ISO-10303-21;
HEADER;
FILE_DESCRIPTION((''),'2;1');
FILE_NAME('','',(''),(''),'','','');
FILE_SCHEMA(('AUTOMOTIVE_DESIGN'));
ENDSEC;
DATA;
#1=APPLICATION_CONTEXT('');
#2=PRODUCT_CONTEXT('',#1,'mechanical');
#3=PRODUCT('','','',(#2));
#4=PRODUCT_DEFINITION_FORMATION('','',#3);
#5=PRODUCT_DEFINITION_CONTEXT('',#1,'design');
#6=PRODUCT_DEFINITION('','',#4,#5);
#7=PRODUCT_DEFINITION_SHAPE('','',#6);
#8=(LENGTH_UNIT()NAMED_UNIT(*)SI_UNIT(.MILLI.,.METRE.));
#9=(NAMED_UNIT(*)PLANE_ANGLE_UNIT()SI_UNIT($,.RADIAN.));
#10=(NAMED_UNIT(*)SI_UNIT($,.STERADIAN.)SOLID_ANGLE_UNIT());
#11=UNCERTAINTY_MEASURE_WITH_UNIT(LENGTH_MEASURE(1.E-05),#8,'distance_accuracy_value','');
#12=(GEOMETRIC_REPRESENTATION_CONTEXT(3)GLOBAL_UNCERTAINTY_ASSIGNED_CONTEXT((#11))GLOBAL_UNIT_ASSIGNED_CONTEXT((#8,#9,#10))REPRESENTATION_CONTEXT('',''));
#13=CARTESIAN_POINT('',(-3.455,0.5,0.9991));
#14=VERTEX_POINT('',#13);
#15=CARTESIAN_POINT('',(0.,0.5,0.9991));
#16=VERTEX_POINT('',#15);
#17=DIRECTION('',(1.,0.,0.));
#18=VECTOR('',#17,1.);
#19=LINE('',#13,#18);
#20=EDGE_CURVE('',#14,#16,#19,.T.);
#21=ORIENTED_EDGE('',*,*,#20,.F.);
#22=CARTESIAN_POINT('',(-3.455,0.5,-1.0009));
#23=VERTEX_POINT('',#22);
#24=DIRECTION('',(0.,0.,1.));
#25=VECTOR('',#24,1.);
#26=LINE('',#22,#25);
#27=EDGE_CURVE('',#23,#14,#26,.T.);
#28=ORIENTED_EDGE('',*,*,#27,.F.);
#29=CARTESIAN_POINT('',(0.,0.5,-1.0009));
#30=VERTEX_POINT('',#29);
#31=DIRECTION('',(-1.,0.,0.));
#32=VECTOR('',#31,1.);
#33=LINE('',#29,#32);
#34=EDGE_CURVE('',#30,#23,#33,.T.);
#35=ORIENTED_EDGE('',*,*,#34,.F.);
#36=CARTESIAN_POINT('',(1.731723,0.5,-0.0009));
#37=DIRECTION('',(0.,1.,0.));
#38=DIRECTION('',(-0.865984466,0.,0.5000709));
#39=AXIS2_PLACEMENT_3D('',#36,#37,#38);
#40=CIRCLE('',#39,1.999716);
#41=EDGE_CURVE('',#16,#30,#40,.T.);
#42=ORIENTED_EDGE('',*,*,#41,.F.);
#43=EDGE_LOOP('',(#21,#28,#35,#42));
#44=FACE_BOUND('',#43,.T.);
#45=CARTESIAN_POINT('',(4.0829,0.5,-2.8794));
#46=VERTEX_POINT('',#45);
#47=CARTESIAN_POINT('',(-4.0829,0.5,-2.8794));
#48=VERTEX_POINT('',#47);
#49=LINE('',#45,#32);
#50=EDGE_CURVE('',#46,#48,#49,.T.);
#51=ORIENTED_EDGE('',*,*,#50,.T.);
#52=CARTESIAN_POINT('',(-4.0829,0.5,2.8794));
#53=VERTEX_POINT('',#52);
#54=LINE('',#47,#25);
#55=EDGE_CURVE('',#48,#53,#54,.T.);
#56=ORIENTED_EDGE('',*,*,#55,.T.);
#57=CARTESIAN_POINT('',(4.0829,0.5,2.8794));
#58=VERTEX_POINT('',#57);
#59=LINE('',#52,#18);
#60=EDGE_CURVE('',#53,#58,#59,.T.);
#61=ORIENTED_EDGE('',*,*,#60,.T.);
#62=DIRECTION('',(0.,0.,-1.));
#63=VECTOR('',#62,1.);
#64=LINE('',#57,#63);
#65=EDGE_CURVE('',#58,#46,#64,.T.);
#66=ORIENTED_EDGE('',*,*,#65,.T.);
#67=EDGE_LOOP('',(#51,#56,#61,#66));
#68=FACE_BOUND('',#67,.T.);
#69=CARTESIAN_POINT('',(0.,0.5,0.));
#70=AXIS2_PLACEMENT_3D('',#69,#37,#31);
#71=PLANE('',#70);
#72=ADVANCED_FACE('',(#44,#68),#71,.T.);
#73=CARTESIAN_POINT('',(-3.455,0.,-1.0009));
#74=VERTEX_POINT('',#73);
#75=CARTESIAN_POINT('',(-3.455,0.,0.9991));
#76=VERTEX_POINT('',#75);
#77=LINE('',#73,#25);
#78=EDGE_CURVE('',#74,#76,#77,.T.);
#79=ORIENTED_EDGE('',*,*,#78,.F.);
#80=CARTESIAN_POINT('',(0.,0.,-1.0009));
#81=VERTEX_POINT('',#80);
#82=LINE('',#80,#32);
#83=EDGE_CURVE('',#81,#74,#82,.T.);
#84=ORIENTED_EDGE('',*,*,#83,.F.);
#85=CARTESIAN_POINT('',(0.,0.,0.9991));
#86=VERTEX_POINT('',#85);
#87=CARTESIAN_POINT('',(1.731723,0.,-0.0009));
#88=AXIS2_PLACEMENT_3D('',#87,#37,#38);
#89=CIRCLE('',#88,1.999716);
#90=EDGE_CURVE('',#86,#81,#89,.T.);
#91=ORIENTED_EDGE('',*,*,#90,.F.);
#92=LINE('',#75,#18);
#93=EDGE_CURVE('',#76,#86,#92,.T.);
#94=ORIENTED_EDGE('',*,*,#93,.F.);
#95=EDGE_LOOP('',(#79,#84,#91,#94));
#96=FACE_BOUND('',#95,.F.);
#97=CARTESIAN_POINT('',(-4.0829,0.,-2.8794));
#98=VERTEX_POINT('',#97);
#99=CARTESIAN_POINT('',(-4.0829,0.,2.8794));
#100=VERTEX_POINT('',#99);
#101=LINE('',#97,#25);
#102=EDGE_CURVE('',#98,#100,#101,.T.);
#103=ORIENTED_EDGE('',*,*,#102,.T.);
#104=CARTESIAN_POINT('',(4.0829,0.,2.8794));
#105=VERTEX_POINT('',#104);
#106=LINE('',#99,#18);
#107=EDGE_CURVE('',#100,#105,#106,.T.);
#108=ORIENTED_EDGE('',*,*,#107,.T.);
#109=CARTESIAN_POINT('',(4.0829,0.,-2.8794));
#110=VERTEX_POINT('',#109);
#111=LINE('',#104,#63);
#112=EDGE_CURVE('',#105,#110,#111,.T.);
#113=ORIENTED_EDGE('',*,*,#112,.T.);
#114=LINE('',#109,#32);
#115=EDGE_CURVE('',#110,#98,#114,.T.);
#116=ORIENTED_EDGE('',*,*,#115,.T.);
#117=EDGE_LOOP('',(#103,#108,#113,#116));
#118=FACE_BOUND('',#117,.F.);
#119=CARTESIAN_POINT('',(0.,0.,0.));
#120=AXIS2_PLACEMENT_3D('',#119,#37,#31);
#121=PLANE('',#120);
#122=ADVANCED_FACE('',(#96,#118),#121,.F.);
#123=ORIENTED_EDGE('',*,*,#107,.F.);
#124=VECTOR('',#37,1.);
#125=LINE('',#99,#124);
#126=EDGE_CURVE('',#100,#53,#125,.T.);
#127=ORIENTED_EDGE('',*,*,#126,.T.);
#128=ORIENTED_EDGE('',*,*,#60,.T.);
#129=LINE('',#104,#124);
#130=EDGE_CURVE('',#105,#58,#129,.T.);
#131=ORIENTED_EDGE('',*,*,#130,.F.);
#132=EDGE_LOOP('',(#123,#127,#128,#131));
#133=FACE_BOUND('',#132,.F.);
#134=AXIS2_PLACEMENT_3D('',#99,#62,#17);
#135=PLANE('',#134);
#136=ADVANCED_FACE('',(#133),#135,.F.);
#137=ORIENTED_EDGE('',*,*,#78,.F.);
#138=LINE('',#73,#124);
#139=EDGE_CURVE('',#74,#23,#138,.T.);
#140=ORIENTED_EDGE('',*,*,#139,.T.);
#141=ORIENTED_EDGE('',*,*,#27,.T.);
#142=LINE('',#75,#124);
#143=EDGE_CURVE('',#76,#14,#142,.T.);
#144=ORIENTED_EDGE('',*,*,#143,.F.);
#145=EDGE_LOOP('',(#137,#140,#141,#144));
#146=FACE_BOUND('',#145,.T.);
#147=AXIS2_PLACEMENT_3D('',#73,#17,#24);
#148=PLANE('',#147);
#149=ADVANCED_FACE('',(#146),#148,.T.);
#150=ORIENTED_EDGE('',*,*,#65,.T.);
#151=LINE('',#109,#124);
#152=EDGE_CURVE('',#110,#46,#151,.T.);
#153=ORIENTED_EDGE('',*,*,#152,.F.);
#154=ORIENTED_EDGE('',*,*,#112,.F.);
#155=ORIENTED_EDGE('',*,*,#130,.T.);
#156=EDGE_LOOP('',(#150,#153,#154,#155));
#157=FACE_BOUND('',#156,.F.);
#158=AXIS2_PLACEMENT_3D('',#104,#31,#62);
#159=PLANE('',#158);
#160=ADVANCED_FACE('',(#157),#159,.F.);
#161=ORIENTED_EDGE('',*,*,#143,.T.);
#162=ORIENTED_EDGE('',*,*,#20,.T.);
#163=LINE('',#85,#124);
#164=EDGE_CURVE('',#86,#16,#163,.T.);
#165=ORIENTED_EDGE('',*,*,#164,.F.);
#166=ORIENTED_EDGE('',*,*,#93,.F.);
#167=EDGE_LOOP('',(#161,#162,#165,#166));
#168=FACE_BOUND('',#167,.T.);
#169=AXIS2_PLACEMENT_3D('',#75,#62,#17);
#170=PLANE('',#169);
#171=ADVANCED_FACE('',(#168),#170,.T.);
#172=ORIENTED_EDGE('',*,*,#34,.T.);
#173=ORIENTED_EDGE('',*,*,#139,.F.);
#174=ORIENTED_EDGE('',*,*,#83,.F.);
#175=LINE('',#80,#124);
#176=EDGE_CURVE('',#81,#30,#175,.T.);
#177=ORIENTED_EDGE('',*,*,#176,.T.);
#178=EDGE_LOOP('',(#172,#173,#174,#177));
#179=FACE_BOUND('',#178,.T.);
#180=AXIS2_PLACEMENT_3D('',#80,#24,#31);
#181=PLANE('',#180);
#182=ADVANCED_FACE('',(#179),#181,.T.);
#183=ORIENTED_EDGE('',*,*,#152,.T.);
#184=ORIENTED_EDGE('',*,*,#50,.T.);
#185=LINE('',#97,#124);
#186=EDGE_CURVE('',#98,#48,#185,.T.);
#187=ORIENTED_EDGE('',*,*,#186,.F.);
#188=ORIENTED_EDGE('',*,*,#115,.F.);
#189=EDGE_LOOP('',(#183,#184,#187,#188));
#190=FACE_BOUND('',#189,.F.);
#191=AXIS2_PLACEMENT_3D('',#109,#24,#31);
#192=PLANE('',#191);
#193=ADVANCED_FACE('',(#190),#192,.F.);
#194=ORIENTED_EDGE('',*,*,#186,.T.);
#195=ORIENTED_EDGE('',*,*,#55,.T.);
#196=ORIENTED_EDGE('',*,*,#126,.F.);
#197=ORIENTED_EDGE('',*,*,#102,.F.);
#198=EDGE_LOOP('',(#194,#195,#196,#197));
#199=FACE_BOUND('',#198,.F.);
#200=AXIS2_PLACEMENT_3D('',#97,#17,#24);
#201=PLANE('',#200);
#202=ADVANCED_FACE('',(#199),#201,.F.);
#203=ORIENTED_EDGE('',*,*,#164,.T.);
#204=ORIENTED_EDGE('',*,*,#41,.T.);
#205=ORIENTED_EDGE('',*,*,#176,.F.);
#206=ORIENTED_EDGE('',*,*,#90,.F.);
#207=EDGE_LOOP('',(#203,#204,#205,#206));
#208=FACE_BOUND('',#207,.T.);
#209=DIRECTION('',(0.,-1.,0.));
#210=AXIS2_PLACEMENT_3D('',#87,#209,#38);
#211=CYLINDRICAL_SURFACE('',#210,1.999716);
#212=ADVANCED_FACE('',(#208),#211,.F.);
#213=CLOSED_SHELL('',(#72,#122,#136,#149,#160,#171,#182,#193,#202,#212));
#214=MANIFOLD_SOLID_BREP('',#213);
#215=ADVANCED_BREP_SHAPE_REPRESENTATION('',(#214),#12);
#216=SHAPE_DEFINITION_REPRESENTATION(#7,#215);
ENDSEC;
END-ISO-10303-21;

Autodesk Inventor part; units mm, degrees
ref_plane "YZ Plane" through (0, 0, 0) normal (1, 0, 0) x (0, 1, 0)
ref_plane "XZ Plane" through (0, 0, 0) normal (0, 1, 0) x (-1, 0, 0)
ref_plane "XY Plane" through (0, 0, 0) normal (0, 0, 1) x (1, 0, 0)
sketch "Sketch1" plane through (0, 0, 0) normal (0, 1, 0) x (-1, 0, 0)
  line L0 (4.0829, 2.8794) -> (-4.0829, 2.8794)
  line L1 (-4.0829, 2.8794) -> (-4.0829, -2.8794)
  line L2 (-4.0829, -2.8794) -> (4.0829, -2.8794)
  line L3 (4.0829, -2.8794) -> (4.0829, 2.8794)
  line L4 (4.0829, 2.8794) -> (-4.0829, -2.8794) construction
  line L5 (-4.0829, 2.8794) -> (4.0829, -2.8794) construction
  line L6 (0, -1.0009) -> (3.455, -1.0009)
  line L7 (3.455, -1.0009) -> (3.455, 0.9991)
  line L8 (3.455, 0.9991) -> (0, 0.9991)
  line L9 (0, 0) -> (0, -1.0009)
  arc A0 (0.26, -0.1834) -> (0.26, 0.1834) centre (-1.7315, 0) ccw
  arc A1 (0.001, 0.9991) -> (0, -1.0009) centre (-1.7315, 0) ccw
  point P0 (0, 0)
  dimension "d1" = 2
extrude "Extrusion1" add sketch "Sketch1" along normal blind 0.5
properties part number "t1"
